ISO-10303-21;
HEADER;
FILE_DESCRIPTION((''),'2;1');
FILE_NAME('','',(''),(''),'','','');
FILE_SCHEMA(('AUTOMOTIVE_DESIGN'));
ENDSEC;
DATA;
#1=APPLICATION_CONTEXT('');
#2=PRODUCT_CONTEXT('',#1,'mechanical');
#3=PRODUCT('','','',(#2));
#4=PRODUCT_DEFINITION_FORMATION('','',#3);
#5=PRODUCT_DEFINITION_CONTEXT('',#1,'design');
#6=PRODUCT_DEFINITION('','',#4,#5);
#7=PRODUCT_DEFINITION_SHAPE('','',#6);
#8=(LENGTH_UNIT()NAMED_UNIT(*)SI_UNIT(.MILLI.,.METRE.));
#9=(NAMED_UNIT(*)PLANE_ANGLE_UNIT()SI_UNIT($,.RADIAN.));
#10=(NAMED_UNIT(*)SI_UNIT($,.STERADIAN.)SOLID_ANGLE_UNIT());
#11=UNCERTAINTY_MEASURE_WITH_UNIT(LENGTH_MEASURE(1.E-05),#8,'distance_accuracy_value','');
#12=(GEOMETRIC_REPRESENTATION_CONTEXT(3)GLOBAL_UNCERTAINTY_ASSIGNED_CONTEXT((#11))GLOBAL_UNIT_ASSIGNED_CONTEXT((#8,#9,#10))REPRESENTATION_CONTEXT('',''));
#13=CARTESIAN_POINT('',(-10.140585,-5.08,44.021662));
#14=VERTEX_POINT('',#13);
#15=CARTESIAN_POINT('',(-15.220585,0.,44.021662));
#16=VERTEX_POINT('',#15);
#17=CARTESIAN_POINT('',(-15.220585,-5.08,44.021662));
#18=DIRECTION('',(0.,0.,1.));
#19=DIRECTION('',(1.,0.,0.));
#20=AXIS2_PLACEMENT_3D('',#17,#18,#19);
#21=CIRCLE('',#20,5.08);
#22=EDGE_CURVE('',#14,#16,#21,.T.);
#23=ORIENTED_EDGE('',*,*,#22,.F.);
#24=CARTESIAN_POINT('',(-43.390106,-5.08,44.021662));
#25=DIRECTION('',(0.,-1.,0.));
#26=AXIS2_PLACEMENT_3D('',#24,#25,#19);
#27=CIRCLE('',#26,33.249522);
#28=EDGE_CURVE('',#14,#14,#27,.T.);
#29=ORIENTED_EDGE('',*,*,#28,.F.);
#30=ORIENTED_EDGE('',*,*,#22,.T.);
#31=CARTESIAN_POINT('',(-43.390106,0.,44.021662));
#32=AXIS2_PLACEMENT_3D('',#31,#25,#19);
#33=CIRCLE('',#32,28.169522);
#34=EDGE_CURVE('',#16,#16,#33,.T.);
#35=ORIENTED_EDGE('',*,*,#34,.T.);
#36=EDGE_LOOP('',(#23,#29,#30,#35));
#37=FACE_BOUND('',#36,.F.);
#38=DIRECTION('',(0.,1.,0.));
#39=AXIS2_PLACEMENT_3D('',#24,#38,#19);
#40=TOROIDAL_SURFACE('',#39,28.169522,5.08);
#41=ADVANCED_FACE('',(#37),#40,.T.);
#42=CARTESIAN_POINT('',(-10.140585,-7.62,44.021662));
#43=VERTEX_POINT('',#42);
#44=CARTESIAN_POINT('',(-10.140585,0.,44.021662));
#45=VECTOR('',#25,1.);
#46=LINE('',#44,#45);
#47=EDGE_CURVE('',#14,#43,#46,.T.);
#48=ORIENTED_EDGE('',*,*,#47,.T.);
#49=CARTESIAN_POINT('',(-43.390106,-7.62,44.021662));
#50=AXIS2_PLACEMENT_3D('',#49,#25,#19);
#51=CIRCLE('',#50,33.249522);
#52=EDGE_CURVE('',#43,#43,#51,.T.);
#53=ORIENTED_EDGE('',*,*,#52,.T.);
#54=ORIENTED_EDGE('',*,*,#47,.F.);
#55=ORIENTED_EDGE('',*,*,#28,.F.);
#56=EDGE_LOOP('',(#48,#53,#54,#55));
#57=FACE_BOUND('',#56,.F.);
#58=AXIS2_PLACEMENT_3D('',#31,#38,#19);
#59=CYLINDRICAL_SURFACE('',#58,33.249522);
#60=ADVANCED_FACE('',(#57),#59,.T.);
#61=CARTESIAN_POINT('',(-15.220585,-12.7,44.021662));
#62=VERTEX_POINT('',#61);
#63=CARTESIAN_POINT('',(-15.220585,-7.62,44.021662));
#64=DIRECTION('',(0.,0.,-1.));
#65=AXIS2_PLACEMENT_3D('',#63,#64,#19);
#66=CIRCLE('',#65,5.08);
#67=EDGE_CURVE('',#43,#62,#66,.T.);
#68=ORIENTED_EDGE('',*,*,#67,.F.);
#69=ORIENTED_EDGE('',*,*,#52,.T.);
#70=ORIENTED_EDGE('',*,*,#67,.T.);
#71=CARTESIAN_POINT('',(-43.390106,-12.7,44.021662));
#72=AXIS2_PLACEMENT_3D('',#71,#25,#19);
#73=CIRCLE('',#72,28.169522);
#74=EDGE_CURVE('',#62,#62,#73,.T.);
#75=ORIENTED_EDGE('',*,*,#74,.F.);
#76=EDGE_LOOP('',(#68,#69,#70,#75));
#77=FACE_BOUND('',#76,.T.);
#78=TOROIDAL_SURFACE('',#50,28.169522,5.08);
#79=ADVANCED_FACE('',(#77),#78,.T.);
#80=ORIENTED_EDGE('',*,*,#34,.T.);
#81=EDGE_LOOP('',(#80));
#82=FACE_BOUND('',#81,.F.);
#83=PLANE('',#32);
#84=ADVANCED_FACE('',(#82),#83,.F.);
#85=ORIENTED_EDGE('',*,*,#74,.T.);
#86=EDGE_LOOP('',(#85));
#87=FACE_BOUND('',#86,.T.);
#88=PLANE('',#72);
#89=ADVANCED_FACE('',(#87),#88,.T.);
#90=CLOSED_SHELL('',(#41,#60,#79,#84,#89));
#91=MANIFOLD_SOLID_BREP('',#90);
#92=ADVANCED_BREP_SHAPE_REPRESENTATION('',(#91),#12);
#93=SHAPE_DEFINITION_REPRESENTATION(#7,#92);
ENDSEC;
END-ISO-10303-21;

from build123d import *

# Parameters (mm, degrees)
F0_R     = 19.1692141119
F1_DEPTH = 12.7
F2_R     = 5.08
F4_R     = 33.249521813
F5_DEPTH = 12.7
F6_R     = 5.08


with BuildPart() as f1:
    # F0 (on Front) → F1 (new body)
    with BuildSketch(Plane.XZ):
        with Locations((-138.7361735106, 32.7932424843)):
            Circle(F0_R)
    extrude(amount=F1_DEPTH)

    # F2
    f2_edges = [f1.edges().sort_by_distance(p)[0] for p in [
        (-157.905388, -12.7, 32.793242),
        (-157.905388, 0, 32.793242),
    ]]
    fillet(f2_edges, radius=F2_R)


with BuildPart() as f5:
    # F4 (on Front) → F5 (new body)
    with BuildSketch(Plane.XZ):
        with Locations((-43.3901064098, 44.0216623247)):
            Circle(F4_R)
    extrude(amount=F5_DEPTH)

    # F6
    f6_edges = [f5.edges().sort_by_distance(p)[0] for p in [
        (-76.639628, 0, 44.021662),
        (-76.639628, -12.7, 44.021662),
    ]]
    fillet(f6_edges, radius=F6_R)


solid = f5.part
